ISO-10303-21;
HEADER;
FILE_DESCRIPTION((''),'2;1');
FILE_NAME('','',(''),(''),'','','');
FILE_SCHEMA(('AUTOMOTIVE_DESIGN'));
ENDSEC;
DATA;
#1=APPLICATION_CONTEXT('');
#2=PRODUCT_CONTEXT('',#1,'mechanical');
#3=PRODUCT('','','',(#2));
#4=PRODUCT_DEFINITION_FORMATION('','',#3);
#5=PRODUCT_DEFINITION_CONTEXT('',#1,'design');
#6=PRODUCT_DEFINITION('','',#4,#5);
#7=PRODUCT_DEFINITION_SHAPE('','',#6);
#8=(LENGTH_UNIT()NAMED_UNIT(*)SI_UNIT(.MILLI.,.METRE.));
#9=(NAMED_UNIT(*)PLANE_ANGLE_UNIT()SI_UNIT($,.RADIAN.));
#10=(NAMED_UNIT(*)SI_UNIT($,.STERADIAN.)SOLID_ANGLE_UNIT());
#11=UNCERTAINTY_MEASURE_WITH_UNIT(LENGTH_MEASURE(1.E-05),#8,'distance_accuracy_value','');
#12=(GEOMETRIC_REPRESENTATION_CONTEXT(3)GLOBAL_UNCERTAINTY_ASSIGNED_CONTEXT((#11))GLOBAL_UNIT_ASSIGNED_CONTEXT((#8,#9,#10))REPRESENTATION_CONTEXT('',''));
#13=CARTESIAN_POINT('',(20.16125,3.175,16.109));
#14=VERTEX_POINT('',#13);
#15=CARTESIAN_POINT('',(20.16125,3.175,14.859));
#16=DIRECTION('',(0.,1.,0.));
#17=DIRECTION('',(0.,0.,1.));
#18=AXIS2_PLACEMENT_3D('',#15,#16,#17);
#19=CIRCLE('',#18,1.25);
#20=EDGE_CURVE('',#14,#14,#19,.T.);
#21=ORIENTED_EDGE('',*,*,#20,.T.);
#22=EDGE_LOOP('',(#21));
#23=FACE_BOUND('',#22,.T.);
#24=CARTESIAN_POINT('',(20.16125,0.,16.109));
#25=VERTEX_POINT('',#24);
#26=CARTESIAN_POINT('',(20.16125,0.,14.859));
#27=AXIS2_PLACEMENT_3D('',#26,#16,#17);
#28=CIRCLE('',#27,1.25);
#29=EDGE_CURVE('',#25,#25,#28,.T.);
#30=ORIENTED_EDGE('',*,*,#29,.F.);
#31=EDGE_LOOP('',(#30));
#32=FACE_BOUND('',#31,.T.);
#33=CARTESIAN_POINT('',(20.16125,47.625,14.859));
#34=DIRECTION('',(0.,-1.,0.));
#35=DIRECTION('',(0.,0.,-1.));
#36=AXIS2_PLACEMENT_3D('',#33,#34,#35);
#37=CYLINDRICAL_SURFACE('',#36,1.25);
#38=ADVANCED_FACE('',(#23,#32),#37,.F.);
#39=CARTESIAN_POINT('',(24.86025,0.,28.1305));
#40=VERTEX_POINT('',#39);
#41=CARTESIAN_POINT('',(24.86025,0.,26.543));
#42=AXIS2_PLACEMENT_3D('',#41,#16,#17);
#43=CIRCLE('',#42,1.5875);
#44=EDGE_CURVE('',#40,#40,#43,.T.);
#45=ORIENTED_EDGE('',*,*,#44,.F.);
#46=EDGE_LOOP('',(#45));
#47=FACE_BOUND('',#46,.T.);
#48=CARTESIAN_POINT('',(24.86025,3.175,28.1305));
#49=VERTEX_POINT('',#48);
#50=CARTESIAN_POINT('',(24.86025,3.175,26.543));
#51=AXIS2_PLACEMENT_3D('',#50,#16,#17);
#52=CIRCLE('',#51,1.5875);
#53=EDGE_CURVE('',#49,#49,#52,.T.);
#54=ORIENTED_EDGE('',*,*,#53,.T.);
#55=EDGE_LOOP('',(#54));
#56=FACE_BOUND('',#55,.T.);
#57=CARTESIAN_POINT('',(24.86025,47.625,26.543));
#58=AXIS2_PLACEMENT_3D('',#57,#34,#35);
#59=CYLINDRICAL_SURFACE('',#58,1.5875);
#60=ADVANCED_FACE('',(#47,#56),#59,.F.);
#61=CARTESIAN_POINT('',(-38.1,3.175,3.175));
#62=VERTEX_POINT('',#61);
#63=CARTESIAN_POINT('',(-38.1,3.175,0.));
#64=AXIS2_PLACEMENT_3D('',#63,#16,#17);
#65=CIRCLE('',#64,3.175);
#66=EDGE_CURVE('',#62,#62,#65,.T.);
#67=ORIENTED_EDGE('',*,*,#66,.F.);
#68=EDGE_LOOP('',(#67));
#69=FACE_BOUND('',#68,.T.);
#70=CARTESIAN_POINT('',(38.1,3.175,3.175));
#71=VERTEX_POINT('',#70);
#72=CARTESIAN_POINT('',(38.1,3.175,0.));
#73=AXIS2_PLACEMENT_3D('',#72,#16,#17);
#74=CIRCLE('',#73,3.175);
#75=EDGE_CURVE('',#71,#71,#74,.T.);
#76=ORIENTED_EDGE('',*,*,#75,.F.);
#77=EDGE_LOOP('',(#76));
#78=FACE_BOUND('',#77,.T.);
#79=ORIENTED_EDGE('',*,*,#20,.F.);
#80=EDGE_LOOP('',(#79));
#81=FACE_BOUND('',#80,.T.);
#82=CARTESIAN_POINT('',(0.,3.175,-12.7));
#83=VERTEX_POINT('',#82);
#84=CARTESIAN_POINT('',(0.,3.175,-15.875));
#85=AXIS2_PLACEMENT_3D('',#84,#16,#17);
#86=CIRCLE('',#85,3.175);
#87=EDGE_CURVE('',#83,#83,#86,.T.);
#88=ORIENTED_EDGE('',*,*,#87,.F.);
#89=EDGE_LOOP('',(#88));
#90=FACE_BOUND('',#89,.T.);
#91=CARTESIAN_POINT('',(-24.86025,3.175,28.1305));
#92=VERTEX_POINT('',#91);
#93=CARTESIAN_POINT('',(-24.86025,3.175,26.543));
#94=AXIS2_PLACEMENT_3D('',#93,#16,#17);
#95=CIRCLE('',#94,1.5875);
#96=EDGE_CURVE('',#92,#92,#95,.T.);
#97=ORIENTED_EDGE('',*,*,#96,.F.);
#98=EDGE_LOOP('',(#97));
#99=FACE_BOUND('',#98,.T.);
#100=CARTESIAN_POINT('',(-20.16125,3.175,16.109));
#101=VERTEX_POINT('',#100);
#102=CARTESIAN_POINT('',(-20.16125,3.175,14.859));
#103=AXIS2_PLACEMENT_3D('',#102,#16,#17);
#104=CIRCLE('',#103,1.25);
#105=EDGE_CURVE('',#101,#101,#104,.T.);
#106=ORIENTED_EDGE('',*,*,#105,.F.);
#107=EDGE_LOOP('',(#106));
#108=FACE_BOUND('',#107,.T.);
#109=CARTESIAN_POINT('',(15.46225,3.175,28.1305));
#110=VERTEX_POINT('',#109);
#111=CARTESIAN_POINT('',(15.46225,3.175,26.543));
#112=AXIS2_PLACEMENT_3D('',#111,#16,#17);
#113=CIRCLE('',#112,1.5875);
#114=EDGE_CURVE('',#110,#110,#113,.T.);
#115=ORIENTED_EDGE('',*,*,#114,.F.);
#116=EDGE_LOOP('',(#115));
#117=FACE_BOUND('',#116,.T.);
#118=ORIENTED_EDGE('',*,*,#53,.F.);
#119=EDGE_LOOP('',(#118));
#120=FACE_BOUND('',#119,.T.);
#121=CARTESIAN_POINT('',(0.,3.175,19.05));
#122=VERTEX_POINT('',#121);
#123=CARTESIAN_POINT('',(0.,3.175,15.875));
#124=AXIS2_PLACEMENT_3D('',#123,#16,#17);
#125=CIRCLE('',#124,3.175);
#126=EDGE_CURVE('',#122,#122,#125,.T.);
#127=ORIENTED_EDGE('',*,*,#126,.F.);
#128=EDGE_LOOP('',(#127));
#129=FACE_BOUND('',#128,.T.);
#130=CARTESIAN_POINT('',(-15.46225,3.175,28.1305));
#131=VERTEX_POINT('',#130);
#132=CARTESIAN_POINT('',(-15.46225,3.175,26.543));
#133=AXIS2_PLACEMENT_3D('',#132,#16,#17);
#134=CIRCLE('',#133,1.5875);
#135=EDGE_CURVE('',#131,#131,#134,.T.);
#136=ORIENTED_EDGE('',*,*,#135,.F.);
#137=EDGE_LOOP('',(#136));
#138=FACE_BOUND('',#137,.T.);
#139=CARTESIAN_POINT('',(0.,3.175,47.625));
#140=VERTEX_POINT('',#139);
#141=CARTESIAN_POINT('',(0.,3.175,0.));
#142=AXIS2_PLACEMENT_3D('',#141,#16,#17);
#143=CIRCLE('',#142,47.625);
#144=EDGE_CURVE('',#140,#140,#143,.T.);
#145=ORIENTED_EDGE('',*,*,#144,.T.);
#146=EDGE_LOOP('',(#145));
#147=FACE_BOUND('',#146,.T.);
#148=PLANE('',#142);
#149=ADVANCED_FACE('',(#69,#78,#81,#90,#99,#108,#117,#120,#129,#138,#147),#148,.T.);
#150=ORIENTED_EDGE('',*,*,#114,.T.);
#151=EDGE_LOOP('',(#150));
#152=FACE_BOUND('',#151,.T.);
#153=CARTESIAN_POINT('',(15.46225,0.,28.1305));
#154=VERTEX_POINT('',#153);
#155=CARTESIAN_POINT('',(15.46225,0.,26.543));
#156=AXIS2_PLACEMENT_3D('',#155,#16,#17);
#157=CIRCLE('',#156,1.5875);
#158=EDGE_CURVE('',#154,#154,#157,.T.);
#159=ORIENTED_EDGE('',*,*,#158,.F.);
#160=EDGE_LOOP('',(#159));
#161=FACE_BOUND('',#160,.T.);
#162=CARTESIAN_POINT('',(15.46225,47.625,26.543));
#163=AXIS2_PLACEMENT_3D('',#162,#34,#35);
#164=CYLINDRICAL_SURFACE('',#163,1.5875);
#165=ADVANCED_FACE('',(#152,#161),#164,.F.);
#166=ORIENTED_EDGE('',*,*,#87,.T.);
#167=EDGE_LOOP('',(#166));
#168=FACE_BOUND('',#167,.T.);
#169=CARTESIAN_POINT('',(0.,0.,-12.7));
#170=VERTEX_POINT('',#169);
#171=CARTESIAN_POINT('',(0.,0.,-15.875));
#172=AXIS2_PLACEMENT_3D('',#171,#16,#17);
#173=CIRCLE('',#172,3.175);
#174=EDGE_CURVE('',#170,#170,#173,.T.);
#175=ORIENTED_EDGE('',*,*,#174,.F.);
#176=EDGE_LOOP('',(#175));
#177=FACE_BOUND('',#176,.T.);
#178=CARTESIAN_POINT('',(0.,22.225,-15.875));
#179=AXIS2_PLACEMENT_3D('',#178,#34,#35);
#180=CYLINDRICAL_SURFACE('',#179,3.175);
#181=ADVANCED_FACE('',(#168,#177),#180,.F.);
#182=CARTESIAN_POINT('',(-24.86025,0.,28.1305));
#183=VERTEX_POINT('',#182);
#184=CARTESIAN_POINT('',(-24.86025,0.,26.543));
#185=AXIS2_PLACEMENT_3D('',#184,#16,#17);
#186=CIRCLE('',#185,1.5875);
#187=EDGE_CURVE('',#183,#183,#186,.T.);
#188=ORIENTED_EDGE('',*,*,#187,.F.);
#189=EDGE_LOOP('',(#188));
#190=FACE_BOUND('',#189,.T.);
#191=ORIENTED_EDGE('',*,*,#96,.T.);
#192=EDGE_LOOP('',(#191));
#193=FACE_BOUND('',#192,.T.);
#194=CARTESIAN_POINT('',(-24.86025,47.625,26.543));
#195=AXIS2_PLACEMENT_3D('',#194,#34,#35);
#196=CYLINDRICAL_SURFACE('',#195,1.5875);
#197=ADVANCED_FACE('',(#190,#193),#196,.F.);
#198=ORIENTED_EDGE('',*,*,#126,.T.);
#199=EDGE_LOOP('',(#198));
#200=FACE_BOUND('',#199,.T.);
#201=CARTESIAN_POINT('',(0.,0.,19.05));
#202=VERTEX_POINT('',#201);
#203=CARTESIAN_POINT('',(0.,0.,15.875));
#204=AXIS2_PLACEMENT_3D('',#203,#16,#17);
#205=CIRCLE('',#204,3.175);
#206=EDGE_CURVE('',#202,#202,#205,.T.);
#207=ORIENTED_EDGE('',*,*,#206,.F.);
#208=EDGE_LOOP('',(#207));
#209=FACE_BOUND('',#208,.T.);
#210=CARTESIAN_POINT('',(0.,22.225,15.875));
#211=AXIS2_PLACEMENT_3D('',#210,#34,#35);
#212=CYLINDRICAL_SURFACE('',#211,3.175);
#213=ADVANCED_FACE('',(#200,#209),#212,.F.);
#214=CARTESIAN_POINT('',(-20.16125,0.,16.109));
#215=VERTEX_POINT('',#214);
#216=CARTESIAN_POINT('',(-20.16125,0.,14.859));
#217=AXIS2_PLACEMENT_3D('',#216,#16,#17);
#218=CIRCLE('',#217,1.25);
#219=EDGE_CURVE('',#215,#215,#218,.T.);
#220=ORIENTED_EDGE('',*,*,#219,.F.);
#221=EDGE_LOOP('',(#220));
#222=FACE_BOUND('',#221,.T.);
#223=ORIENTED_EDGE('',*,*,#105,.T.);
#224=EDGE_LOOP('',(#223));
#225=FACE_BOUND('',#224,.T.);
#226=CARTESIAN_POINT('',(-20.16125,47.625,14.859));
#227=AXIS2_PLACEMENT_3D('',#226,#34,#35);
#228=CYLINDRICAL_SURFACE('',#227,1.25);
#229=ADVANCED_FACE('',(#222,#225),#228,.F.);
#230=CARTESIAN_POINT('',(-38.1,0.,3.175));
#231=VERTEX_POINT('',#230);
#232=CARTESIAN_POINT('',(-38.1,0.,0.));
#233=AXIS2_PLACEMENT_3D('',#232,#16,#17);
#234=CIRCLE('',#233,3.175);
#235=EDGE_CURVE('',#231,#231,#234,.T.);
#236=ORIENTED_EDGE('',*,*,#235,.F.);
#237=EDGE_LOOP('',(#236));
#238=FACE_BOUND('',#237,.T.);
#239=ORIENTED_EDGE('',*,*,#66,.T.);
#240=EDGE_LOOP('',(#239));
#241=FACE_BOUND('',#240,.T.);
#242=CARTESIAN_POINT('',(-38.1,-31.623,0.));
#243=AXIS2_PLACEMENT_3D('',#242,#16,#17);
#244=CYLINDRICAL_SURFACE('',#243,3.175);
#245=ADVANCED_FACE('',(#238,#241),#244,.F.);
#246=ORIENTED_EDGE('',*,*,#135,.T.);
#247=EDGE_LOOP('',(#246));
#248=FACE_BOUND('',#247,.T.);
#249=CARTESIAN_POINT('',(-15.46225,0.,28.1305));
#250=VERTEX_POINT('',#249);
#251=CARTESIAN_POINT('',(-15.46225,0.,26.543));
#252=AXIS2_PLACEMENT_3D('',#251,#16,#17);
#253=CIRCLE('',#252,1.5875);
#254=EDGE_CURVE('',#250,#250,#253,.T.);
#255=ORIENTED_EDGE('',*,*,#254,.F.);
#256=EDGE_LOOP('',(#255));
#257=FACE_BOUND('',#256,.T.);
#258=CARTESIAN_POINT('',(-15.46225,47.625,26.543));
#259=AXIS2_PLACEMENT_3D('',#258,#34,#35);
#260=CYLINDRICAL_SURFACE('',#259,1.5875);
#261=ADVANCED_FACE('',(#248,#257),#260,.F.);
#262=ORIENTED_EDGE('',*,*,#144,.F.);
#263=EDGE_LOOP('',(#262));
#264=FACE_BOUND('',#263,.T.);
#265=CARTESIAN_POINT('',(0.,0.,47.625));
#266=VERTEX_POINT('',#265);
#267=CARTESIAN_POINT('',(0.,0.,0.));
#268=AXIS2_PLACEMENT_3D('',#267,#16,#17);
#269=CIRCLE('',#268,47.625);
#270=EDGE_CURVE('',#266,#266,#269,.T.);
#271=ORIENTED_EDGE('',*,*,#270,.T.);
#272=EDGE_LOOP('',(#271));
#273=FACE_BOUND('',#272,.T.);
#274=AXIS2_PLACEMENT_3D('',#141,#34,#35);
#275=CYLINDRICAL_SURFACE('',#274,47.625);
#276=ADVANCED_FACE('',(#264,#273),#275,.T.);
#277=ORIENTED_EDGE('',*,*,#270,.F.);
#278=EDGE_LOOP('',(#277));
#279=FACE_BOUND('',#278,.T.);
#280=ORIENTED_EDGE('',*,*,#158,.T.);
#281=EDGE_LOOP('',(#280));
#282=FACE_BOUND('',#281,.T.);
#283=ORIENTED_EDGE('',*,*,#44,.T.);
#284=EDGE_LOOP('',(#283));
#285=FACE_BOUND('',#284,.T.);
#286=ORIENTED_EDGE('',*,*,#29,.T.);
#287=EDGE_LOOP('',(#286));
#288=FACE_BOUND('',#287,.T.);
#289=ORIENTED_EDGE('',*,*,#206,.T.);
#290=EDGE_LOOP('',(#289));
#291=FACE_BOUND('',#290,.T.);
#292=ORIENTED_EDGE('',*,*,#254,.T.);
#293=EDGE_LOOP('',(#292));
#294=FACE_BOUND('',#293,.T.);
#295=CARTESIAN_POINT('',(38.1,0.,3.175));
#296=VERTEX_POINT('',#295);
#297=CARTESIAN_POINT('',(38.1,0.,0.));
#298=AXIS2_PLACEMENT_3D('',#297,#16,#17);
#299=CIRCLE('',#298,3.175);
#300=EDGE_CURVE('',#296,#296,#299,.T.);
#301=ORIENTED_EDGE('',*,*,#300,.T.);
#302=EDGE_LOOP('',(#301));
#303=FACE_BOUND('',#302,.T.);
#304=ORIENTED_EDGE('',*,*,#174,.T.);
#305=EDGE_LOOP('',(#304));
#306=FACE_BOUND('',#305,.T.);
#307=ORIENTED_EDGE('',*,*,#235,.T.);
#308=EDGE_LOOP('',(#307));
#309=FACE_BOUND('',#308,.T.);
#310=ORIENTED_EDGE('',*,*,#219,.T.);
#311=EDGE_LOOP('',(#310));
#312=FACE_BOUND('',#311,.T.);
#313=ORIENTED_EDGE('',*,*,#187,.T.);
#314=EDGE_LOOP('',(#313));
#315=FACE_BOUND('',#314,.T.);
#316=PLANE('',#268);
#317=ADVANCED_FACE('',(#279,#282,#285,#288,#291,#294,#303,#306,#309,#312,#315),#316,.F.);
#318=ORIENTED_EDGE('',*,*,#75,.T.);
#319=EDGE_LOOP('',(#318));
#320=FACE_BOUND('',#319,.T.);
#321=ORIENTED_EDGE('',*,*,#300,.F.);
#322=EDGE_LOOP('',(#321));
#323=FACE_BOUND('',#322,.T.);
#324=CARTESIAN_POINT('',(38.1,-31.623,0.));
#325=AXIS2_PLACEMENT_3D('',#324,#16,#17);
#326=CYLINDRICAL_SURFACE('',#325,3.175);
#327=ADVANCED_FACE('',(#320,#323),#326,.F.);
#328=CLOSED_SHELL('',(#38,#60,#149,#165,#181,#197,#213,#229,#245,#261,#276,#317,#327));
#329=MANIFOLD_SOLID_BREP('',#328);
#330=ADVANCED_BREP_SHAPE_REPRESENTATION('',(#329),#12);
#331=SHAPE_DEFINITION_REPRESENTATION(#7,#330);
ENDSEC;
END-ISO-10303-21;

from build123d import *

# Parameters (mm, degrees)
SKETCH1_R           = 47.625
BOSS_EXTRUDE1_DEPTH = 3.175
SKETCH2_R           = 3.175
CUT_EXTRUDE1_DEPTH  = 263.398
SKETCH3_R           = 3.175
CUT_EXTRUDE2_DEPTH  = 25.4
SKETCH4_R           = 1.5875
SKETCH4_R_2         = 1.25
CUT_EXTRUDE3_DEPTH  = 50.8


with BuildPart() as part:
    # Sketch1 → Boss-Extrude1 (new body)
    with BuildSketch(Plane(origin=(0, 0, 0), x_dir=(1, 0, 0), z_dir=(0, 1, 0))):
        with Locations(Location((0, 0, 0), (0, 0, 270))):
            Circle(SKETCH1_R)
    extrude(amount=BOSS_EXTRUDE1_DEPTH)

    # Sketch2 → Cut-Extrude1 (cut)
    with BuildSketch(Plane(origin=(-55.039702575, 231.775, -116.088398355), x_dir=(-1, 0, 0), z_dir=(0, 1, 0))):
        with Locations(Location((-93.139702575, 116.088398355, 0), (0, 0, 90))):
            Circle(SKETCH2_R)
        with Locations(Location((-16.939702575, 116.088398355, 0), (0, 0, 90))):
            Circle(SKETCH2_R)
    extrude(amount=-CUT_EXTRUDE1_DEPTH, mode=Mode.SUBTRACT)

    # Sketch3 → Cut-Extrude2 (cut)
    with BuildSketch(Plane(origin=(-28.264398128, -3.175, -82.371298873), x_dir=(1, 0, 0), z_dir=(0, -1, 0))):
        with Locations(Location((28.264398128, 98.246298873, 0), (0, 0, 90))):
            Circle(SKETCH3_R)
        with Locations(Location((28.264398128, 66.496298873, 0), (0, 0, 90))):
            Circle(SKETCH3_R)
    extrude(amount=-CUT_EXTRUDE2_DEPTH, mode=Mode.SUBTRACT)

    # Sketch4 → Cut-Extrude3 (cut)
    with BuildSketch(Plane(origin=(-28.264398128, -3.175, -82.371298873), x_dir=(-1, 0, 0), z_dir=(0, -1, 0))):
        with Locations(Location((-3.404148128, -108.914298873, 0), (0, 0, 270))):
            Circle(SKETCH4_R)
        with Locations(Location((-12.802148128, -108.914298873, 0), (0, 0, 270))):
            Circle(SKETCH4_R)
        with Locations(Location((-43.726648128, -108.914298873, 0), (0, 0, 270))):
            Circle(SKETCH4_R)
        with Locations(Location((-53.124648128, -108.914298873, 0), (0, 0, 270))):
            Circle(SKETCH4_R)
        with Locations(Location((-8.103148128, -97.230298873, 0), (0, 0, 270))):
            Circle(SKETCH4_R_2)
        with Locations(Location((-48.425648128, -97.230298873, 0), (0, 0, 270))):
            Circle(SKETCH4_R_2)
    extrude(amount=-CUT_EXTRUDE3_DEPTH, mode=Mode.SUBTRACT)


solid = part.part
